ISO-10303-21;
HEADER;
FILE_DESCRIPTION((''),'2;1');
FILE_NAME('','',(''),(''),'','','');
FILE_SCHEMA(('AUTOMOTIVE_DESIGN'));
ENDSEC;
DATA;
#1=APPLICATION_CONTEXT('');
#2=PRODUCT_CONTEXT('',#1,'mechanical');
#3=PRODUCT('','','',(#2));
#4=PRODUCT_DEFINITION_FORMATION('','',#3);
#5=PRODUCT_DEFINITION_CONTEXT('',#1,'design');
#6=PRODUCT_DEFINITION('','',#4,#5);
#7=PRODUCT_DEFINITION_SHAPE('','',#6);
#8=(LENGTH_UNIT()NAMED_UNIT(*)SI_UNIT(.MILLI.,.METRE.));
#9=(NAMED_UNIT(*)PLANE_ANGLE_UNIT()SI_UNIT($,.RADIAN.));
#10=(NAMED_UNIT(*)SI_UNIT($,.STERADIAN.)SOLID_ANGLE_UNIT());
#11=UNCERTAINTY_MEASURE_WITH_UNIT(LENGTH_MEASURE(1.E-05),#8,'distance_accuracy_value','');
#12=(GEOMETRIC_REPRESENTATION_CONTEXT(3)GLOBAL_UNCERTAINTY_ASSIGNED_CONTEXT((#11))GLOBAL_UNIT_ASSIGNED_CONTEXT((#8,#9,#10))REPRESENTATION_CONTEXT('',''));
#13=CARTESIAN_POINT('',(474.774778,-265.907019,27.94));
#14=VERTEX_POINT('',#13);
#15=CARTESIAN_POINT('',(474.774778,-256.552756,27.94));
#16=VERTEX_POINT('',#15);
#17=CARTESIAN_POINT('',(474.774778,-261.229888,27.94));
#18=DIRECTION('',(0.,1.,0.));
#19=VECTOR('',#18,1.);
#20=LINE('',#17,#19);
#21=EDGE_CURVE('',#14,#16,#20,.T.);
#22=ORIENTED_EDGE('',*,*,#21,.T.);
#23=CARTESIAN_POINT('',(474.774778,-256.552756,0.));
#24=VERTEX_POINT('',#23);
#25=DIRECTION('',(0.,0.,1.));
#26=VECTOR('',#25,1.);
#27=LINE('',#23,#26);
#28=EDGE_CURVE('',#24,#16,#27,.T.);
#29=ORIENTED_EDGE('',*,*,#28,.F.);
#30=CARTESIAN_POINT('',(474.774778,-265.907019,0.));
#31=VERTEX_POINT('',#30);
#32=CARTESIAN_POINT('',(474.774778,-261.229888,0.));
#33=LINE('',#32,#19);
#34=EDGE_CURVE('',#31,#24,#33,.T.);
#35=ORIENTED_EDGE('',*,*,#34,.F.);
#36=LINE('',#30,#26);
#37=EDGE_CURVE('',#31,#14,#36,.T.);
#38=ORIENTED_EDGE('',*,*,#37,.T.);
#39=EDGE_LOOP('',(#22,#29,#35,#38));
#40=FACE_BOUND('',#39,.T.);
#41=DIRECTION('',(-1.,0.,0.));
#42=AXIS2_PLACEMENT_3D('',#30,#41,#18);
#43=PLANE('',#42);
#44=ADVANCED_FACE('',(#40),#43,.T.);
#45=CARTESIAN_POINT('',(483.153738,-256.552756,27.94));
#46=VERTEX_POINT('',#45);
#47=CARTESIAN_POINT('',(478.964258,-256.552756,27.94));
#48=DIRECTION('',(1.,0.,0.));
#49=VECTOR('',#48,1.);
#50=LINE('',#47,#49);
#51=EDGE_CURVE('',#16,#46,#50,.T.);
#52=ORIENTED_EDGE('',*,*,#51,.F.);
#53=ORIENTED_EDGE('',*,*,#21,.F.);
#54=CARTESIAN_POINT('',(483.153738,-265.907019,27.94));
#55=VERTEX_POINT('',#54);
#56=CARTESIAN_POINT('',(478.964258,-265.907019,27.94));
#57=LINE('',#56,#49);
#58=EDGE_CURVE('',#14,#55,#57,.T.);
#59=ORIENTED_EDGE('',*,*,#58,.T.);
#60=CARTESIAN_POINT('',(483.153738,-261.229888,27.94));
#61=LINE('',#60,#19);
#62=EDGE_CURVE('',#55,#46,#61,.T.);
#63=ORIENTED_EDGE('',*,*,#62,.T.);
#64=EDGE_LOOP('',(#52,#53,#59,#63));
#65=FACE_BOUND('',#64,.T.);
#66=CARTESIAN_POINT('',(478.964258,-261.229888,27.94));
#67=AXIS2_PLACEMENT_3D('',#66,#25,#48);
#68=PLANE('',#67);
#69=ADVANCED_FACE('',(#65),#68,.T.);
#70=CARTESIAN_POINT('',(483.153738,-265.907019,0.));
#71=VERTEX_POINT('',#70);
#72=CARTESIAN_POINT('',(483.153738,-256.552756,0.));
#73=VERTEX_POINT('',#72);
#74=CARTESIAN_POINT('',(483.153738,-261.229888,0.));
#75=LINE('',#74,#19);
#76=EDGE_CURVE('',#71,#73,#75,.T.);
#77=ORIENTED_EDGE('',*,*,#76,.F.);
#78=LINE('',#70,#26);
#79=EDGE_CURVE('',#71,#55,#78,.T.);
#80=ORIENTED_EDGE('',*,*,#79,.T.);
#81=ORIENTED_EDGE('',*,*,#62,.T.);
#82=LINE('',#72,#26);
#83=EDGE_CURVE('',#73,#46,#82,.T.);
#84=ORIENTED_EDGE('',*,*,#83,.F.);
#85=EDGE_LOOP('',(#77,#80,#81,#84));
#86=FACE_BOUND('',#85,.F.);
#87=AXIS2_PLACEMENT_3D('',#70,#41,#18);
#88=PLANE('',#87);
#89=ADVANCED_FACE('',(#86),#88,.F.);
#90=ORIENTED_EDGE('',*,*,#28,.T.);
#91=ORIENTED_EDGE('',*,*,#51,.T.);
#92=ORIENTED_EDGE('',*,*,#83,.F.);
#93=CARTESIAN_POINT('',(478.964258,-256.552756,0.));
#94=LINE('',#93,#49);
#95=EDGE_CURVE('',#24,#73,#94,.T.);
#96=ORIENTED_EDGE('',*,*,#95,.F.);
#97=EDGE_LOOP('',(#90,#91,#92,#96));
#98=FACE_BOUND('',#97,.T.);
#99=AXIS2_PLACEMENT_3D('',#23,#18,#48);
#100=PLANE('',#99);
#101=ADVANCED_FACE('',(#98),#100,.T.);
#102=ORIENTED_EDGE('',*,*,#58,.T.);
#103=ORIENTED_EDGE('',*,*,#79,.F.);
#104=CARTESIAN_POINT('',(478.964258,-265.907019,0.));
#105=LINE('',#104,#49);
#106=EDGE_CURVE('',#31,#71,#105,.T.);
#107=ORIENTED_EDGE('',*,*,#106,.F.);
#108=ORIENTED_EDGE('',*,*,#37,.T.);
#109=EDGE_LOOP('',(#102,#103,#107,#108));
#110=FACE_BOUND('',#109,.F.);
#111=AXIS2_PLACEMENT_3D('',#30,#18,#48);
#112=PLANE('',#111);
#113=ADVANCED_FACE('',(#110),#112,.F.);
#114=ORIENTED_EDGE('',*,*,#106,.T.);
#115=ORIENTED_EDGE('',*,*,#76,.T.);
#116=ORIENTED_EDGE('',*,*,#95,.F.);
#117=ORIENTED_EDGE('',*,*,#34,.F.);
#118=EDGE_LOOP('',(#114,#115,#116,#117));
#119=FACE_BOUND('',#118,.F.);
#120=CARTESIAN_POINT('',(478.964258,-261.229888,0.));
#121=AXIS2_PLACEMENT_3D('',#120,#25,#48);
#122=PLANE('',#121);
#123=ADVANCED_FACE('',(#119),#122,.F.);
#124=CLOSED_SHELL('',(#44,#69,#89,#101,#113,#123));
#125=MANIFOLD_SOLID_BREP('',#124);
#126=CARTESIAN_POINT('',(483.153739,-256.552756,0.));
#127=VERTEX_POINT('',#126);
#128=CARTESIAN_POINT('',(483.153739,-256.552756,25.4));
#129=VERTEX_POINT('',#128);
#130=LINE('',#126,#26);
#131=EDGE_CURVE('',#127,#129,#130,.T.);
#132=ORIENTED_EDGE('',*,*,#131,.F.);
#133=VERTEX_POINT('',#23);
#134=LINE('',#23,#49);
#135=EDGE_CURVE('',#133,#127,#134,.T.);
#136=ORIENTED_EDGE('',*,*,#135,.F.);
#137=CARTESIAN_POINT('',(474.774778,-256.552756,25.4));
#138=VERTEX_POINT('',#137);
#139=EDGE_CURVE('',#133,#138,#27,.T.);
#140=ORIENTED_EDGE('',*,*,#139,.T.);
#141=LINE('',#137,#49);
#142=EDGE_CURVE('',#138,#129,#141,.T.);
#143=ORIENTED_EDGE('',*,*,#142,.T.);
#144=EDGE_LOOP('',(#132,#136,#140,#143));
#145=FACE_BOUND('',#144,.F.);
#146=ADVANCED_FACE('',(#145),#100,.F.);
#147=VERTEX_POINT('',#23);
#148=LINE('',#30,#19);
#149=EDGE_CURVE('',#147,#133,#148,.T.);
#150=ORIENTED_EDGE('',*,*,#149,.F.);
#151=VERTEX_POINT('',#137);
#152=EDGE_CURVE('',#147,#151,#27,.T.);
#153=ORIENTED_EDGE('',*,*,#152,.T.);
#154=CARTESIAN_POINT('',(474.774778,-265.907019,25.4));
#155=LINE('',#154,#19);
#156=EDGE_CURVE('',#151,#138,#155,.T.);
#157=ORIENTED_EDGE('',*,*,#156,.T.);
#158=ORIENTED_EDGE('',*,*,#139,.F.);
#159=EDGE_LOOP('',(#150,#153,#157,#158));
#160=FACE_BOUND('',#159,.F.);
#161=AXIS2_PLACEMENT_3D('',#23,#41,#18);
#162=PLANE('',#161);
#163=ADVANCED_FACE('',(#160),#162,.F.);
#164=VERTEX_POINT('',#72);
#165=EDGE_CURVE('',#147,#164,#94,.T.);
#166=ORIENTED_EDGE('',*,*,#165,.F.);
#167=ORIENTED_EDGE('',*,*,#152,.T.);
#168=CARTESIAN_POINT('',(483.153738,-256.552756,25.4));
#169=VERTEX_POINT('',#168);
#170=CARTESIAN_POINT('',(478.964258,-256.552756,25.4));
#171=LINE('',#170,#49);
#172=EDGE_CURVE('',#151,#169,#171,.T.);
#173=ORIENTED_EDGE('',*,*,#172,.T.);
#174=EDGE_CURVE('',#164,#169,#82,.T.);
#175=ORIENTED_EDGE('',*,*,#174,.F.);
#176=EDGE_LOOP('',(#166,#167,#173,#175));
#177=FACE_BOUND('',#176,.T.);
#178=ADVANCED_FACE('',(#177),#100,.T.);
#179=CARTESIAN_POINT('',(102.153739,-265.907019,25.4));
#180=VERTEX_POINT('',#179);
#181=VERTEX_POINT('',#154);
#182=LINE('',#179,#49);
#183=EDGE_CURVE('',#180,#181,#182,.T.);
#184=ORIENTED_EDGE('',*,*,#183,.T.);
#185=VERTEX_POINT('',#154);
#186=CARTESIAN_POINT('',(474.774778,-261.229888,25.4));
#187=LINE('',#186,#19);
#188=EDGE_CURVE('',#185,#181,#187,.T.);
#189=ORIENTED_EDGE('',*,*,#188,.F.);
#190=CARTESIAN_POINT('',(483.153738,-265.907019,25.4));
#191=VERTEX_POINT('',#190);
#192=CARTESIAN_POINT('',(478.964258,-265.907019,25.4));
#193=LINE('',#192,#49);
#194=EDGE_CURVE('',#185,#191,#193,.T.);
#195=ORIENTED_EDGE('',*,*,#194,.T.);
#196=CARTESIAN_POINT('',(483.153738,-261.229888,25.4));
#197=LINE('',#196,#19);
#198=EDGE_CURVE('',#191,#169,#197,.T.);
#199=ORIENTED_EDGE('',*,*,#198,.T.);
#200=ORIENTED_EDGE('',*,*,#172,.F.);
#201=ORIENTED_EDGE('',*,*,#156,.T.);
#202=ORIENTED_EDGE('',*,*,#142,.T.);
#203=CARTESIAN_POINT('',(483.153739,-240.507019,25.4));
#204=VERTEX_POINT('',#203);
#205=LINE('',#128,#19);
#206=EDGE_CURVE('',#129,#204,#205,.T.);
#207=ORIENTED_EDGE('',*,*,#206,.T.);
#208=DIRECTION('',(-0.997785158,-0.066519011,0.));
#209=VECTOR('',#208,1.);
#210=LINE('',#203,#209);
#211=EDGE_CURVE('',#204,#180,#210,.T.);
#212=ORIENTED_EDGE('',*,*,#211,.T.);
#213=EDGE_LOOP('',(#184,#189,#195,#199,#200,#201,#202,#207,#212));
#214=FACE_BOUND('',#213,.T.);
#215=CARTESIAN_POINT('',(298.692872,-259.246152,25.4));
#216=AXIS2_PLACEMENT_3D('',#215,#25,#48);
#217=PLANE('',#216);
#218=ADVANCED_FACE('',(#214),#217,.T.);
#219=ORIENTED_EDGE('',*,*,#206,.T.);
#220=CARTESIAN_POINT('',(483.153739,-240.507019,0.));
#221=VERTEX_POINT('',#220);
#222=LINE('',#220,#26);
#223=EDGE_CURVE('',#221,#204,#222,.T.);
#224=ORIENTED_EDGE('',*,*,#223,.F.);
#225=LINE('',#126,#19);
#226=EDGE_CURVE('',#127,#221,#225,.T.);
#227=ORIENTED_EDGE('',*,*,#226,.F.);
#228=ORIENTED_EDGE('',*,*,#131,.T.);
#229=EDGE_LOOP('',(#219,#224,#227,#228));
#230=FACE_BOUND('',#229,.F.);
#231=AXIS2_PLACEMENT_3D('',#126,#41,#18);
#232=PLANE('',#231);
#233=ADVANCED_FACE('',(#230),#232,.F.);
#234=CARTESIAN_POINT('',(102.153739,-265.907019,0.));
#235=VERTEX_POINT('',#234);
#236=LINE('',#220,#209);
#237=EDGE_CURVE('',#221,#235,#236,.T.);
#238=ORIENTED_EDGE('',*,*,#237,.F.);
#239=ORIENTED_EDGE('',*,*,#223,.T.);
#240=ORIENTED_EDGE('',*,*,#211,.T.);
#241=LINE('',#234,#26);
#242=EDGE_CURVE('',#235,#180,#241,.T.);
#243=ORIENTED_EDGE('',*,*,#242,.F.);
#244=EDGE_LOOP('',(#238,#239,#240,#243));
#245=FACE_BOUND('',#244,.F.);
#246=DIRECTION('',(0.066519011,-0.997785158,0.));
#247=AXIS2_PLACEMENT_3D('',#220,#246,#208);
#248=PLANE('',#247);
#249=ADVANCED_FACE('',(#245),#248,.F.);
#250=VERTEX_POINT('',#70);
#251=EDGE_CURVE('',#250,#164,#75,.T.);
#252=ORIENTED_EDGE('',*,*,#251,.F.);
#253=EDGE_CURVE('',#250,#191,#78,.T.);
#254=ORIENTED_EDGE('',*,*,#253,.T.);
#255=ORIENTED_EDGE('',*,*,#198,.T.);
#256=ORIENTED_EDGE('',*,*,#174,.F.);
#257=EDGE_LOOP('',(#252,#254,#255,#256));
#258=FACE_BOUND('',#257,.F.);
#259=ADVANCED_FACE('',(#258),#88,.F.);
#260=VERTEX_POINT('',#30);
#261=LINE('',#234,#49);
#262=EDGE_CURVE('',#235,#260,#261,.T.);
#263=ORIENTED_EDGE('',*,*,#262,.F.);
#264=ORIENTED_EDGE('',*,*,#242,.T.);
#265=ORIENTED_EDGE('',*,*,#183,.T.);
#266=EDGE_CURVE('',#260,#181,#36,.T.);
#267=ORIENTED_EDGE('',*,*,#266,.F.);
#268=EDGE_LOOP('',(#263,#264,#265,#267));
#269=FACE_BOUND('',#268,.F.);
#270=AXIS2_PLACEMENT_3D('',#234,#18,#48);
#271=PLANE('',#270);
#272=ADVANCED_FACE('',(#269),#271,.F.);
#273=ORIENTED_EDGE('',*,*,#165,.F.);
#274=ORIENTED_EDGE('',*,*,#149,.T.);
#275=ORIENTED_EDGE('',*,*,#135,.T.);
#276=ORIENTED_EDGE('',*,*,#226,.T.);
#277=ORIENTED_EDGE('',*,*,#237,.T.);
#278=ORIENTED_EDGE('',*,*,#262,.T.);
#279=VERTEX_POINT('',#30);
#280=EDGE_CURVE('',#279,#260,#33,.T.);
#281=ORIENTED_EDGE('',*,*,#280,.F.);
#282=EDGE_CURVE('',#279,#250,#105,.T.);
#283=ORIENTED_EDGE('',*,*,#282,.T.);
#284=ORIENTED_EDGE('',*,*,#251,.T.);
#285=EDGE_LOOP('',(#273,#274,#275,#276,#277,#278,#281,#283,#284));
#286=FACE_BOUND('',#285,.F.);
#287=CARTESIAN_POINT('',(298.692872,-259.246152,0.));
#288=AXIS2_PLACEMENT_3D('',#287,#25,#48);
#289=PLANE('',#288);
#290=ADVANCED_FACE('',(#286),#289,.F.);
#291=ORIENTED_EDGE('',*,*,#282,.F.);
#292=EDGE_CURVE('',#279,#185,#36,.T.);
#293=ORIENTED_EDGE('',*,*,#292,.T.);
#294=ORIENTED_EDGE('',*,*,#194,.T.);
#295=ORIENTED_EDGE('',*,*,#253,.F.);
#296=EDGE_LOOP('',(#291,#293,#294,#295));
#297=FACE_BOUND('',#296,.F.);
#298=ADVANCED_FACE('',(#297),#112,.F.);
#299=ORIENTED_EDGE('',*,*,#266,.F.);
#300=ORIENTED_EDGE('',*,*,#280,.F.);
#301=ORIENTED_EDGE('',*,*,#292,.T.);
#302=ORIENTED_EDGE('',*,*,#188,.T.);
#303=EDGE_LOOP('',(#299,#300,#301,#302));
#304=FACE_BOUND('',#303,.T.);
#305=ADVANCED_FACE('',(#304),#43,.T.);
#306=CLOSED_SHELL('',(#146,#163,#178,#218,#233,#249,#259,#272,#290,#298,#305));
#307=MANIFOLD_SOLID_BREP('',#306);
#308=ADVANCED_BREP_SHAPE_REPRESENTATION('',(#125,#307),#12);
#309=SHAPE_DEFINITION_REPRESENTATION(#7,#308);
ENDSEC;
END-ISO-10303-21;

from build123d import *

# Parameters (mm, degrees)
F0_W     = 8.378961
F0_H     = 9.354263
F1_DEPTH = 25.4
F2_DEPTH = 27.94


with BuildPart() as f1:
    # F0 (on Top) → F1 (new body)
    with BuildSketch(Plane.XY):
        Polygon((483.153739, -240.507019), (102.153739, -265.907019), (474.774778, -265.907019), (474.774778, -256.552756), (483.153739, -256.552756), align=None)
        with Locations((478.964258, -261.229888)):
            Rectangle(F0_W, F0_H)
    extrude(amount=F1_DEPTH)


with BuildPart() as f2:
    # F0 (on Top) → F2 (new body)
    with BuildSketch(Plane.XY):
        with Locations((478.964258, -261.229888)):
            Rectangle(F0_W, F0_H)
    extrude(amount=F2_DEPTH)


solid = Compound([f1.part, f2.part])
